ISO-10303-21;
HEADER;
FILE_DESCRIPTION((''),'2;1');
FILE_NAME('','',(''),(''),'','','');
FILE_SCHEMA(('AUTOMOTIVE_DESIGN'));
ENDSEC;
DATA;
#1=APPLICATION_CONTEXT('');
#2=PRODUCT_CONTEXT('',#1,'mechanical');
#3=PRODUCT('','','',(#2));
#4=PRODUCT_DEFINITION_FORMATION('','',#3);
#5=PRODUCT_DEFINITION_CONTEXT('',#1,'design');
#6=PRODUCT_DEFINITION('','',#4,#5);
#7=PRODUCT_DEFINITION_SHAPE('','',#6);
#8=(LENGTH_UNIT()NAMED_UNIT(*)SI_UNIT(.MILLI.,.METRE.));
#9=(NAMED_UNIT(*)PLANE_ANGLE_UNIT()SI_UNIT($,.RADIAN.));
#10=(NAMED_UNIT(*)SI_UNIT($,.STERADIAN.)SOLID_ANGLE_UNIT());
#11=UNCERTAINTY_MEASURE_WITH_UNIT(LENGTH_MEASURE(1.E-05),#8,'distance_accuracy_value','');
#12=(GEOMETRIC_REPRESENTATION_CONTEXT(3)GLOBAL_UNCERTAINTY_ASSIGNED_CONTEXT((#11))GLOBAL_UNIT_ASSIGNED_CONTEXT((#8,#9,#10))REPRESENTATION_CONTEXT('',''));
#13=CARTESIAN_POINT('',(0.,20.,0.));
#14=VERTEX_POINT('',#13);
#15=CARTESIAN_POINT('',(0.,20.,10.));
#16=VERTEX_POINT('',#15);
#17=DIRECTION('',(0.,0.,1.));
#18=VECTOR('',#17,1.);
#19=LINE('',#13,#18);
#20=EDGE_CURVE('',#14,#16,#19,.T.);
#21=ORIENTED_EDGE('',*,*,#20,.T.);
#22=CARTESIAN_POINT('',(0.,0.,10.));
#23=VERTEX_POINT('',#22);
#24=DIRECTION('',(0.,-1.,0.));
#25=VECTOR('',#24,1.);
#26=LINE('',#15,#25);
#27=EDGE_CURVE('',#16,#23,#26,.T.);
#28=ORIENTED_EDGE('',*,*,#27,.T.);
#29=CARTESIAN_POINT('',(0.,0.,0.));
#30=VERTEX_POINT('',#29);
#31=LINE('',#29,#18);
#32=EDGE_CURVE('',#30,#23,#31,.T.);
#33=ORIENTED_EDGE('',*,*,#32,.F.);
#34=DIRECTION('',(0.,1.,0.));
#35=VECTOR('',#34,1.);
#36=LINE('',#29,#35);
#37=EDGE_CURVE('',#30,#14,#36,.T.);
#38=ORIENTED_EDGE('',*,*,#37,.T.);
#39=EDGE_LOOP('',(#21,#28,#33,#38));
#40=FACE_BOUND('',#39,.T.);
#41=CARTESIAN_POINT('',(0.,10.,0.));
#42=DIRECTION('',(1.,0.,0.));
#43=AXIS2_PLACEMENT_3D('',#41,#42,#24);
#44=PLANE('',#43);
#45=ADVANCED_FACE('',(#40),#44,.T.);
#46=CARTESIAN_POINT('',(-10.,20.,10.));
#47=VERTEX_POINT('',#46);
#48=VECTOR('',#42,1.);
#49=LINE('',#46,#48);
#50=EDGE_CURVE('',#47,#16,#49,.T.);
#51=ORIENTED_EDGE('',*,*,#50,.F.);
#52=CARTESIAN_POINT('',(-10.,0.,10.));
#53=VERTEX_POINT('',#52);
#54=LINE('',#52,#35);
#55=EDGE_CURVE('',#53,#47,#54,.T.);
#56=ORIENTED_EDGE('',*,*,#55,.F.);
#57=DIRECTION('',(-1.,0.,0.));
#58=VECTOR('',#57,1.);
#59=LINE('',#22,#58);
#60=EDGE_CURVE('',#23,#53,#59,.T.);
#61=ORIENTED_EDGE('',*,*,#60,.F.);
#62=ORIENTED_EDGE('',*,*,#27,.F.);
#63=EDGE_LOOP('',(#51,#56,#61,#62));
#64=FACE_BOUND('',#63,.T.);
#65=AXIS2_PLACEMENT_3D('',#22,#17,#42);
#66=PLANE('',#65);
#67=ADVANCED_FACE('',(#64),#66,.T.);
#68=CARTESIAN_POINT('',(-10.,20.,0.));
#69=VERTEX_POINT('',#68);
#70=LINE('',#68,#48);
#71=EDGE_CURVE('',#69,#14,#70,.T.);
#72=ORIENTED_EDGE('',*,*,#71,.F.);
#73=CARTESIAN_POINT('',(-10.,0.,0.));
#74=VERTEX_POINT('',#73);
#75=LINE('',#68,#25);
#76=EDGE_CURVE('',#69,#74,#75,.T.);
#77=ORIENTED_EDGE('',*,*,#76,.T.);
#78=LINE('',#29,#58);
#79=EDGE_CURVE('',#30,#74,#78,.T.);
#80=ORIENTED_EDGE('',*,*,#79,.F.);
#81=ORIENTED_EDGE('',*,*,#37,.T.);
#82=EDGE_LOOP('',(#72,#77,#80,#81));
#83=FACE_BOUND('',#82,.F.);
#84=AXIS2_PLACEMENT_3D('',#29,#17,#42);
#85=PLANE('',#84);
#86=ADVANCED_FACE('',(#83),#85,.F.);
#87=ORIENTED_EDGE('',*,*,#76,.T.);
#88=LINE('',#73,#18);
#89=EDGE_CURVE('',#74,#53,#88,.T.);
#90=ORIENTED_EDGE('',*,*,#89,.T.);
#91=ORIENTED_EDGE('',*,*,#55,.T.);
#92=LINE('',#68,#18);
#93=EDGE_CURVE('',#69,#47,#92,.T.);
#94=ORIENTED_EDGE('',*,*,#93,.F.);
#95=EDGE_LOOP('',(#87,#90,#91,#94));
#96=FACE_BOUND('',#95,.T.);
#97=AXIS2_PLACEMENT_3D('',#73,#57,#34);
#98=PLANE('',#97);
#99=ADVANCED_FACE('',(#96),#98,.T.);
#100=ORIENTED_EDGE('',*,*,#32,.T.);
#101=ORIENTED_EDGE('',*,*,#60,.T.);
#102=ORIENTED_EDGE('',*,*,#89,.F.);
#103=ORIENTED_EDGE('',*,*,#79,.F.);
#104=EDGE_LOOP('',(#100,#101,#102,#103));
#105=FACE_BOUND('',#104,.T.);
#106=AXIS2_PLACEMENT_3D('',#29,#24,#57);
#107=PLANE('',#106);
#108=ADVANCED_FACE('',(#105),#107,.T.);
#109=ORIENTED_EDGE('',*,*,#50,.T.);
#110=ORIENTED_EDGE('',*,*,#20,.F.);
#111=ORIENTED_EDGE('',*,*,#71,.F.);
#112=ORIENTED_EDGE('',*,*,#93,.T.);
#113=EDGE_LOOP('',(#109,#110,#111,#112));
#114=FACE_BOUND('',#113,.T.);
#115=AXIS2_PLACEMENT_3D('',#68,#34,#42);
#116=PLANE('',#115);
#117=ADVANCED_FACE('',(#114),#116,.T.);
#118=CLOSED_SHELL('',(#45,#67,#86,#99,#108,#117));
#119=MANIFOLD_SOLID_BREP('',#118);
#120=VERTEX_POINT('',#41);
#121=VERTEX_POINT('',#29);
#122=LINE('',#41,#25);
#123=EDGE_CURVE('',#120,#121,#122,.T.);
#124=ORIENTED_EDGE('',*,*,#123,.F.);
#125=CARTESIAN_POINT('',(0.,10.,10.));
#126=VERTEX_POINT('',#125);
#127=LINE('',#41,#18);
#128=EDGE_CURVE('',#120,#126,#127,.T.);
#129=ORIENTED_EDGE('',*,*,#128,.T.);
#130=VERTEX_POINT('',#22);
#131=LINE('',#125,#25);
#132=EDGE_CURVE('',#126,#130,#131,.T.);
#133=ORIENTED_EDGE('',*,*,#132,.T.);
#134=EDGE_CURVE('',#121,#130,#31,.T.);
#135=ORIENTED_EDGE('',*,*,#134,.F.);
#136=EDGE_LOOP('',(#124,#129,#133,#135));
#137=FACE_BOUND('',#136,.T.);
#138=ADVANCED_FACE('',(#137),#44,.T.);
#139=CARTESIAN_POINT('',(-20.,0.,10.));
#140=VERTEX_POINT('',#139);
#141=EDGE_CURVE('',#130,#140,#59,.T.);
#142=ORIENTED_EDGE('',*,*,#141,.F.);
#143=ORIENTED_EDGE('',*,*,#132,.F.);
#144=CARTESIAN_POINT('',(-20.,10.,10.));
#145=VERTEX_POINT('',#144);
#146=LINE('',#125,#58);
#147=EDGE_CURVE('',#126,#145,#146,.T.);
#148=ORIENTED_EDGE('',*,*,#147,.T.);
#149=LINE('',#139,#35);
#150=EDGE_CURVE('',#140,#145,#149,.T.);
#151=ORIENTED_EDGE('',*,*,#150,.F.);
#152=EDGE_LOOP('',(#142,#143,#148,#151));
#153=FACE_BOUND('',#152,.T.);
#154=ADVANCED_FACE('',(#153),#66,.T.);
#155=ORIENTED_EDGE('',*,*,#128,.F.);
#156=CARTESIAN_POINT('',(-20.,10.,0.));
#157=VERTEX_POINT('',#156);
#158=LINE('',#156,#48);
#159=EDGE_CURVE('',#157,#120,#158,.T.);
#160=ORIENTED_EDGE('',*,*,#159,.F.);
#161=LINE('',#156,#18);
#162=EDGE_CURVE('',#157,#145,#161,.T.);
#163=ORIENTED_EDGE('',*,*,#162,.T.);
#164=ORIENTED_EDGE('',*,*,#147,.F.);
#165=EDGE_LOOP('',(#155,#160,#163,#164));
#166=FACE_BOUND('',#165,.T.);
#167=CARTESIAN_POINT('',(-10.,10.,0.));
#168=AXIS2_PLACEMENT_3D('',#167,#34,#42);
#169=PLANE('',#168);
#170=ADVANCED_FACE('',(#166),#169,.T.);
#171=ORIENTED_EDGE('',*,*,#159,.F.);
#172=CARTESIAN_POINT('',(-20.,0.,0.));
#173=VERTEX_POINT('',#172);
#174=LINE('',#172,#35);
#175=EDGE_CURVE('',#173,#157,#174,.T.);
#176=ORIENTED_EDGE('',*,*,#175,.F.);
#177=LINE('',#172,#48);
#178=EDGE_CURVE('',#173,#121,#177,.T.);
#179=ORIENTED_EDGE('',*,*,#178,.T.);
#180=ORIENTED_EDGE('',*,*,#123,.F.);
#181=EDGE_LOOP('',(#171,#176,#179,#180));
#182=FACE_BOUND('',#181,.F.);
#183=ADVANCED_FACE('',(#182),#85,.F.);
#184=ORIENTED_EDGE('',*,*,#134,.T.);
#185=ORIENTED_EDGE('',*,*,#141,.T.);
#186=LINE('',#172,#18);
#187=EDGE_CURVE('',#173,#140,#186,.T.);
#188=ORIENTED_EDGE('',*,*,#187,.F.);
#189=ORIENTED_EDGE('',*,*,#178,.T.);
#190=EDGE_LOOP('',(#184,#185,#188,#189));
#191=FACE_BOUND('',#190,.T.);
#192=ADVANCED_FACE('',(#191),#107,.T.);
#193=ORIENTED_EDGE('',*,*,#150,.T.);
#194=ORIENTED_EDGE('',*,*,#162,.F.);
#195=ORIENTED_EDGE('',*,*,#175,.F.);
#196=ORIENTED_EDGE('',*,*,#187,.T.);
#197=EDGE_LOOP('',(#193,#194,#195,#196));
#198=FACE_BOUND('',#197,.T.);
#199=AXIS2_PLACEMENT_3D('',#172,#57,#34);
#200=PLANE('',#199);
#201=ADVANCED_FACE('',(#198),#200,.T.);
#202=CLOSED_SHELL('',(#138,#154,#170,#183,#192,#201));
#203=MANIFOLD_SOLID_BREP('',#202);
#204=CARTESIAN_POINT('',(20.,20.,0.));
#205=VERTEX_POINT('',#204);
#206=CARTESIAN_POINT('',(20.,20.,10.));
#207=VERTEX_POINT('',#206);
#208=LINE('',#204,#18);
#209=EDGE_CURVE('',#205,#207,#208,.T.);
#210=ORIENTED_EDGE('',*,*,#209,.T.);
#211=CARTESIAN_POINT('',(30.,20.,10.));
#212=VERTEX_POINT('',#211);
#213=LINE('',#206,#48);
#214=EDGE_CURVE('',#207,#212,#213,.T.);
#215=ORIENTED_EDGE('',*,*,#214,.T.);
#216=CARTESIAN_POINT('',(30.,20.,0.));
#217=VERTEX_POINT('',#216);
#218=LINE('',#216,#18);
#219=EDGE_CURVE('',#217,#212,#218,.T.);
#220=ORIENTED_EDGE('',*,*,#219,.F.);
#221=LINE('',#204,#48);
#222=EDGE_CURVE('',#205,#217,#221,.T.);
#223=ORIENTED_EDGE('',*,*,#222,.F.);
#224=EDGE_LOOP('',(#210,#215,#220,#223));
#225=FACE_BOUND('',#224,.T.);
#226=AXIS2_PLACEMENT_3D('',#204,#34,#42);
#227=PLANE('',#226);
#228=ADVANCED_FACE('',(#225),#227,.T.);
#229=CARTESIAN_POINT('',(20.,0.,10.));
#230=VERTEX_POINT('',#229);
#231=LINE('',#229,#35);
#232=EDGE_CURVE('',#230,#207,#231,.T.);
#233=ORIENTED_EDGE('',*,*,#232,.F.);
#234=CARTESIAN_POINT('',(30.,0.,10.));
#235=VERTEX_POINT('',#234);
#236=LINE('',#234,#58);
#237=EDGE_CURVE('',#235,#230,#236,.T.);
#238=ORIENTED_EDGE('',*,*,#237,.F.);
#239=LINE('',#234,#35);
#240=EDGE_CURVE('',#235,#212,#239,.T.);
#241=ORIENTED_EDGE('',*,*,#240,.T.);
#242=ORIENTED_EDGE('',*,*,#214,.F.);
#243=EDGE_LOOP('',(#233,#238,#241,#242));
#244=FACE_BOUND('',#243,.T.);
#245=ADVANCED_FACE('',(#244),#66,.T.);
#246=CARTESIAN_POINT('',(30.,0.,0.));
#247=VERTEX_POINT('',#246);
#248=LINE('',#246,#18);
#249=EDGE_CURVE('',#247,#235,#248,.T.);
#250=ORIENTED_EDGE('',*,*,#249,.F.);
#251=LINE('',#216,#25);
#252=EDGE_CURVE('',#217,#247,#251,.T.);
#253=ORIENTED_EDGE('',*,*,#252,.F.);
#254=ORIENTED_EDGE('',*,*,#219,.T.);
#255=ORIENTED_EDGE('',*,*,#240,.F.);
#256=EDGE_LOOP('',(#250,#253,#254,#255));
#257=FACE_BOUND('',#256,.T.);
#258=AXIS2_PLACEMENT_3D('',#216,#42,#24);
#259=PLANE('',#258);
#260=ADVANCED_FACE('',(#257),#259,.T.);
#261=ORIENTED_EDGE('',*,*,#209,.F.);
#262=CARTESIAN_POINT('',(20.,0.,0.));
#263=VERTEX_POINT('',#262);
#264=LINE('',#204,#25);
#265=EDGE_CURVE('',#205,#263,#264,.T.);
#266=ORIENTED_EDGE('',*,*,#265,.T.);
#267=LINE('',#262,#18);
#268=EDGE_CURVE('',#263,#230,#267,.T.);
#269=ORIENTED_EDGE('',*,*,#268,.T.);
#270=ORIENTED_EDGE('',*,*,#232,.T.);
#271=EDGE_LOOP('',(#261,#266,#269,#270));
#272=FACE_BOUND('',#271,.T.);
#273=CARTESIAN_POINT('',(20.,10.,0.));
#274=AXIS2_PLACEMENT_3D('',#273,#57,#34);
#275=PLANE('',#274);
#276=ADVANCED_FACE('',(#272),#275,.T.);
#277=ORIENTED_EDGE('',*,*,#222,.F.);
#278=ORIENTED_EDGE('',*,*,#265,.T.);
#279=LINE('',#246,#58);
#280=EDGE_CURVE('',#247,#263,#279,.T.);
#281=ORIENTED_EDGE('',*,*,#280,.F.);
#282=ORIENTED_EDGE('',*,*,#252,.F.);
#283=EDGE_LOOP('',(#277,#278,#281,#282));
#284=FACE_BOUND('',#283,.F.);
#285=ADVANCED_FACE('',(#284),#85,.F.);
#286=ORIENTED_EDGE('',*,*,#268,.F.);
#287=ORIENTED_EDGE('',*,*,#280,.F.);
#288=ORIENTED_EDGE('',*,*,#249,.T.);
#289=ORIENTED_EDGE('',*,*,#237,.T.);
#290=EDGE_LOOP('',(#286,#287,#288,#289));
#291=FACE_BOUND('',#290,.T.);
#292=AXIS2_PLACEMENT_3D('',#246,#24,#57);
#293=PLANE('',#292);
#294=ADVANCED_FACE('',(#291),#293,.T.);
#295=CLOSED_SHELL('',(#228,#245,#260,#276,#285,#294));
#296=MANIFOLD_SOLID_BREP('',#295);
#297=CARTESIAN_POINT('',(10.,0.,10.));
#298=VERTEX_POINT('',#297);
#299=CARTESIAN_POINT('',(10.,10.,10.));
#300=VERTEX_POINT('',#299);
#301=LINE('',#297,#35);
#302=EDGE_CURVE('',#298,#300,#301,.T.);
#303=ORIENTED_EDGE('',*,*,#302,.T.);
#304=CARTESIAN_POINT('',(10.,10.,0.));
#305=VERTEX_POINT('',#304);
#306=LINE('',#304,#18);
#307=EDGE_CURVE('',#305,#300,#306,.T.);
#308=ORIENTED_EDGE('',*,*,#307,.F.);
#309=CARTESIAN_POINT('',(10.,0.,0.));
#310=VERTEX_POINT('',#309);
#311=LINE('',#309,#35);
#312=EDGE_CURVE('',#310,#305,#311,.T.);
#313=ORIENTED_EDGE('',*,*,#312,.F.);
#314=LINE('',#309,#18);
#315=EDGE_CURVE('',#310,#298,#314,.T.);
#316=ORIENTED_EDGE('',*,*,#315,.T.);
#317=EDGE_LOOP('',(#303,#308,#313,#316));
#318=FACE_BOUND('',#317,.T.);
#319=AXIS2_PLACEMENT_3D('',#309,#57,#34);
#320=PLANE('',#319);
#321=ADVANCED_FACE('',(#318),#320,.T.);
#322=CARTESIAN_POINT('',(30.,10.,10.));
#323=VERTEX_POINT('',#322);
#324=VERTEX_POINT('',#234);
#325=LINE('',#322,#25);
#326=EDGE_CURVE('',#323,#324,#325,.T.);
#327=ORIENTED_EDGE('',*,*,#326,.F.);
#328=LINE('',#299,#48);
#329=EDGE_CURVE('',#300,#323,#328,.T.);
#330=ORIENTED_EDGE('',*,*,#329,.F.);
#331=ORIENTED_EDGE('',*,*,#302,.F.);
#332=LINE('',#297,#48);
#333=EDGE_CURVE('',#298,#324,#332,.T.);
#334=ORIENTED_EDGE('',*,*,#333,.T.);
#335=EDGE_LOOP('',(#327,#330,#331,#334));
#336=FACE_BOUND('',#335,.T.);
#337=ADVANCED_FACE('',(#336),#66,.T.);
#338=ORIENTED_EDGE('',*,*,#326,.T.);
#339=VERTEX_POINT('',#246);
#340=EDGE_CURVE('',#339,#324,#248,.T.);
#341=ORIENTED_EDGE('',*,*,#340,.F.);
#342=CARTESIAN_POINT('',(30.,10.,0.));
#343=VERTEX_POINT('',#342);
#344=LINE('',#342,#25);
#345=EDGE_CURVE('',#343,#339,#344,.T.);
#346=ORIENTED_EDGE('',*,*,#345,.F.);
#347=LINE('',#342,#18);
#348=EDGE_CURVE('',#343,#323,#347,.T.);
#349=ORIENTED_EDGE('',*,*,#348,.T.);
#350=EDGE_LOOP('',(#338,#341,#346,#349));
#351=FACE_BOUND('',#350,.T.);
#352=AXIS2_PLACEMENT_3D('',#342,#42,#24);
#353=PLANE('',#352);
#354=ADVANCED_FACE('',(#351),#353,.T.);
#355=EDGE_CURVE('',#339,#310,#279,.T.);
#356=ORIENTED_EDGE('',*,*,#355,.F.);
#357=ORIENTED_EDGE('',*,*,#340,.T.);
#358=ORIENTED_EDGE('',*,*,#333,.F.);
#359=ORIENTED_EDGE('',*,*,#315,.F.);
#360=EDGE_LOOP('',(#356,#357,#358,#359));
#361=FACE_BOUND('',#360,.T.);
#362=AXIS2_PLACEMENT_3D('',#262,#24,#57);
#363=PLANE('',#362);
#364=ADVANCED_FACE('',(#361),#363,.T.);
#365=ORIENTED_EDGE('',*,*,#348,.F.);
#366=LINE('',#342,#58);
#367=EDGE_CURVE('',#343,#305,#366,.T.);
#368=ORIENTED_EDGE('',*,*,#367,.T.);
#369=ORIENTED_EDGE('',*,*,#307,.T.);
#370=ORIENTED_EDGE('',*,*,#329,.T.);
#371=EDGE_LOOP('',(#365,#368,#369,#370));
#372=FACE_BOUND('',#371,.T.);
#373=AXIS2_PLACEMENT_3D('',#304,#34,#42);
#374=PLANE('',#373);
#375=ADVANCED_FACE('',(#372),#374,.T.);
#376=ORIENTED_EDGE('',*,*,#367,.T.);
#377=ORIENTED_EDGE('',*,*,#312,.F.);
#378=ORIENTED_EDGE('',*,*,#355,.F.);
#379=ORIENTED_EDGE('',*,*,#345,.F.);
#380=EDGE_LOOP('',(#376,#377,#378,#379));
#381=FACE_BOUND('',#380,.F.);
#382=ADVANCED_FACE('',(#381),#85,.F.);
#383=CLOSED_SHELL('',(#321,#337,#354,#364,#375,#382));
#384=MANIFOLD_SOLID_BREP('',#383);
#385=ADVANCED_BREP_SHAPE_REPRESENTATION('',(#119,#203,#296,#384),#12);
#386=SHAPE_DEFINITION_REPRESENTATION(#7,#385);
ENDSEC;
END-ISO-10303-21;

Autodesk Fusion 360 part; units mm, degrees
sketch "Sketch1" plane through (0, 0, 0) normal (0, 0, 1) x (1, 0, 0)
  line L0 (0, 0) -> (-20, 0)
  line L1 (-20, 0) -> (-20, 10)
  line L2 (-20, 10) -> (0, 10)
  line L3 (0, 10) -> (0, 0)
  line L4 (0, 0) -> (-10, 0)
  line L5 (-10, 0) -> (-10, 20)
  line L6 (-10, 20) -> (0, 20)
  line L7 (0, 20) -> (0, 0)
  line L8 (10, 10) -> (30, 10)
  line L9 (30, 10) -> (30, 0)
  line L10 (30, 0) -> (10, 0)
  line L11 (10, 0) -> (10, 10)
  line L12 (30, 0) -> (20, 0)
  line L13 (20, 0) -> (20, 20)
  line L14 (20, 20) -> (30, 20)
  line L15 (30, 20) -> (30, 0)
extrude "Extrude1" add sketch "Sketch1" along normal blind 10 contours L0 L2 L3 L4 L5 L7 | L0 L1 L2 L5 | L8 L10 L11 L13 | L8 L9 L10 L12 L13 L15 makes body 1 at (-13.3333, 3.3333, 0) makes body 2 at (16.6667, 3.3333, 0)
extrude "Extrude2" add sketch "Sketch1" along normal blind 10 separate body contours L0 L2 L3 L4 L5 L7 | L2 L5 L6 L7 | L8 L13 L14 L15 | L8 L9 L10 L12 L13 L15 makes body 3 at (-6.6667, 6.6667, 0) makes body 4 at (23.3333, 6.6667, 0)
